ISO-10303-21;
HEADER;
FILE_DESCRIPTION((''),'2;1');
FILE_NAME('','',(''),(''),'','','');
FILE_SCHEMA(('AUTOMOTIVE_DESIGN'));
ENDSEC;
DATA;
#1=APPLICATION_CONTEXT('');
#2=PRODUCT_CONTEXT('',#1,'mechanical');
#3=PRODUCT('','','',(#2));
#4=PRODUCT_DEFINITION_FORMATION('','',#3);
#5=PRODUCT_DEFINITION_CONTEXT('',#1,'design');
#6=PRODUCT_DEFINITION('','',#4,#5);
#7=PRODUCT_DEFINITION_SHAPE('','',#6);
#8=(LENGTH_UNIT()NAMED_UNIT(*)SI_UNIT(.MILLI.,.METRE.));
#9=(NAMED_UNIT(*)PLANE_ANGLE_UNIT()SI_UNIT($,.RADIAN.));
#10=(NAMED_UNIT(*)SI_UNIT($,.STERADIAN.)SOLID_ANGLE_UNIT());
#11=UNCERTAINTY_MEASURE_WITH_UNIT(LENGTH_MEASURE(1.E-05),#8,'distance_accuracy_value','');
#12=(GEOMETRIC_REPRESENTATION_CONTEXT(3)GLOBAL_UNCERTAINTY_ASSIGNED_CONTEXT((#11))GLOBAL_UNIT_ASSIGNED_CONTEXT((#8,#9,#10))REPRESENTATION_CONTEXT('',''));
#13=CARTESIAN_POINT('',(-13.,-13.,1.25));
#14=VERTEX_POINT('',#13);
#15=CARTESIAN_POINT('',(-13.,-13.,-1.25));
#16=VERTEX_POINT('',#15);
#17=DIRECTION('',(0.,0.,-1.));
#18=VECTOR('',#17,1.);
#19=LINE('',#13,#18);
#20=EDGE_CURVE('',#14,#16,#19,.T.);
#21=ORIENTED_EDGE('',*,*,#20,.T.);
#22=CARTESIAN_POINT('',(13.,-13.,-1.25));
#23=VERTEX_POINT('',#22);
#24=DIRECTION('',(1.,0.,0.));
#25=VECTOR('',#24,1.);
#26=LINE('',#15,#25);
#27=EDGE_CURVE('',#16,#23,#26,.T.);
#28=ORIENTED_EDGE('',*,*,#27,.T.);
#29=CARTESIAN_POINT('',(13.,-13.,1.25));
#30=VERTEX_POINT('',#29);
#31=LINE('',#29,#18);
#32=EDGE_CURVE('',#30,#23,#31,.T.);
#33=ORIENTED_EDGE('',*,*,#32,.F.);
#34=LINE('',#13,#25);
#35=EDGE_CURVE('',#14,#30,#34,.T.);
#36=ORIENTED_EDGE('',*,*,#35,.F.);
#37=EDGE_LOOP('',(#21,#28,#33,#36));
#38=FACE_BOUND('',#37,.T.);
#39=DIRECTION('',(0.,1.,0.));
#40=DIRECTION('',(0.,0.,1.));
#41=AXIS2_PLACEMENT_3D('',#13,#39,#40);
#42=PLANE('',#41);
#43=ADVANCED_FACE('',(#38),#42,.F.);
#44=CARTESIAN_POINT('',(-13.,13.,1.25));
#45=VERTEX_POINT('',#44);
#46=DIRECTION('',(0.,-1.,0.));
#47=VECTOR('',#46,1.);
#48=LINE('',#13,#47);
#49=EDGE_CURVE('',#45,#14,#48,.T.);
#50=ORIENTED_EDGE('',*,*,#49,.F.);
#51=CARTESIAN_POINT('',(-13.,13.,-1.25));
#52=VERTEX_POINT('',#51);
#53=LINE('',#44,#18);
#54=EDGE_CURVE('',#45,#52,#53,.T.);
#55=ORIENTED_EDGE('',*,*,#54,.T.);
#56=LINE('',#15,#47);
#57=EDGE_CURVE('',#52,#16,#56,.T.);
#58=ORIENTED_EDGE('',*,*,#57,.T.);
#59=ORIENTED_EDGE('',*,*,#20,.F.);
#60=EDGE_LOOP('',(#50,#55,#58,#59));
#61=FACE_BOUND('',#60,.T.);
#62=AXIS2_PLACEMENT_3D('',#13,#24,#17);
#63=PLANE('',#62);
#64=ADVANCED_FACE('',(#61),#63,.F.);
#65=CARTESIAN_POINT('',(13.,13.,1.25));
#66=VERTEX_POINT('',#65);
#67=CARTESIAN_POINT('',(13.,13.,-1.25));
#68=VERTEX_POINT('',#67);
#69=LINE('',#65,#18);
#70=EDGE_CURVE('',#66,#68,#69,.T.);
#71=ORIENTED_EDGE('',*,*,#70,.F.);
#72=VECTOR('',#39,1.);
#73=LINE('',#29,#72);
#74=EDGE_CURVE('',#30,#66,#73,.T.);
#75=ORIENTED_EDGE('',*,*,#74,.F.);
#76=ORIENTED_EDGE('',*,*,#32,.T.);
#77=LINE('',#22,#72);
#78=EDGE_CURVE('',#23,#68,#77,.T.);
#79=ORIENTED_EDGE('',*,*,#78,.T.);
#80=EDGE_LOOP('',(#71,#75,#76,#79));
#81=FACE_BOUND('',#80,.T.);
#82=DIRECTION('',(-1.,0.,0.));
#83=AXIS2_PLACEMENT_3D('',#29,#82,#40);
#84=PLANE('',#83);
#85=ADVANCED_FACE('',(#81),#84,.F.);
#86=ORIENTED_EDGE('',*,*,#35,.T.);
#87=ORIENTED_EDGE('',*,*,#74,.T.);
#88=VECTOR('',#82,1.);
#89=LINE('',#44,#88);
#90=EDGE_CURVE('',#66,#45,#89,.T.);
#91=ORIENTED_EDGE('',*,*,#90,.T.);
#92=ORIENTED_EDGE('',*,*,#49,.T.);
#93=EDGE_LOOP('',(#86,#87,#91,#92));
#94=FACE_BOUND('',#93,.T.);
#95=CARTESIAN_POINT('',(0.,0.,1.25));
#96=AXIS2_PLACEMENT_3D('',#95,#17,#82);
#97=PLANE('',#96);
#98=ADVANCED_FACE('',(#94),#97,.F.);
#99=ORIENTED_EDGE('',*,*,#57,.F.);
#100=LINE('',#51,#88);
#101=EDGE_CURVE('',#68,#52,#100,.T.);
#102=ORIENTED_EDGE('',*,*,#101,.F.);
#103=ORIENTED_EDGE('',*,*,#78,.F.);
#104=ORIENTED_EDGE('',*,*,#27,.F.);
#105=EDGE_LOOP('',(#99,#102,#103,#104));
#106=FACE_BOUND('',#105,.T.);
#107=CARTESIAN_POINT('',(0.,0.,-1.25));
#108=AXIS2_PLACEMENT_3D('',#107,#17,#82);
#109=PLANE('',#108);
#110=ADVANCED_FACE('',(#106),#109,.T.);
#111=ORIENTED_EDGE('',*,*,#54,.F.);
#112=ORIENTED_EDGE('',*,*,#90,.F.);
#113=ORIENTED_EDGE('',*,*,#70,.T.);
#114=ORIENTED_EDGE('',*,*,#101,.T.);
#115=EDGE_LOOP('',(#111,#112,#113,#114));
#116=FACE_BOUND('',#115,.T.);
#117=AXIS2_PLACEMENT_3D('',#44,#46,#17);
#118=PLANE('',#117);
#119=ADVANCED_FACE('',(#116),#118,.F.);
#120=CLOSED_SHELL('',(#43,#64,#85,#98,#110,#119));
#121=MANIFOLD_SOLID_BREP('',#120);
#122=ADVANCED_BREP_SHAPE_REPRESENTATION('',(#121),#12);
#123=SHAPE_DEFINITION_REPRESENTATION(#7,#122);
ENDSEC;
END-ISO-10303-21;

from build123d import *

# Parameters (mm, degrees)
ESQUISSE1_W        = 26
ESQUISSE1_H        = 26
BOSS_EXTRU_1_DEPTH = 1.25


with BuildPart() as part:
    # Esquisse1 → Boss.-Extru.1 (new, symmetric)
    with BuildSketch(Plane.XY):
        Rectangle(ESQUISSE1_W, ESQUISSE1_H)
    extrude(amount=BOSS_EXTRU_1_DEPTH, both=True)


solid = part.part
